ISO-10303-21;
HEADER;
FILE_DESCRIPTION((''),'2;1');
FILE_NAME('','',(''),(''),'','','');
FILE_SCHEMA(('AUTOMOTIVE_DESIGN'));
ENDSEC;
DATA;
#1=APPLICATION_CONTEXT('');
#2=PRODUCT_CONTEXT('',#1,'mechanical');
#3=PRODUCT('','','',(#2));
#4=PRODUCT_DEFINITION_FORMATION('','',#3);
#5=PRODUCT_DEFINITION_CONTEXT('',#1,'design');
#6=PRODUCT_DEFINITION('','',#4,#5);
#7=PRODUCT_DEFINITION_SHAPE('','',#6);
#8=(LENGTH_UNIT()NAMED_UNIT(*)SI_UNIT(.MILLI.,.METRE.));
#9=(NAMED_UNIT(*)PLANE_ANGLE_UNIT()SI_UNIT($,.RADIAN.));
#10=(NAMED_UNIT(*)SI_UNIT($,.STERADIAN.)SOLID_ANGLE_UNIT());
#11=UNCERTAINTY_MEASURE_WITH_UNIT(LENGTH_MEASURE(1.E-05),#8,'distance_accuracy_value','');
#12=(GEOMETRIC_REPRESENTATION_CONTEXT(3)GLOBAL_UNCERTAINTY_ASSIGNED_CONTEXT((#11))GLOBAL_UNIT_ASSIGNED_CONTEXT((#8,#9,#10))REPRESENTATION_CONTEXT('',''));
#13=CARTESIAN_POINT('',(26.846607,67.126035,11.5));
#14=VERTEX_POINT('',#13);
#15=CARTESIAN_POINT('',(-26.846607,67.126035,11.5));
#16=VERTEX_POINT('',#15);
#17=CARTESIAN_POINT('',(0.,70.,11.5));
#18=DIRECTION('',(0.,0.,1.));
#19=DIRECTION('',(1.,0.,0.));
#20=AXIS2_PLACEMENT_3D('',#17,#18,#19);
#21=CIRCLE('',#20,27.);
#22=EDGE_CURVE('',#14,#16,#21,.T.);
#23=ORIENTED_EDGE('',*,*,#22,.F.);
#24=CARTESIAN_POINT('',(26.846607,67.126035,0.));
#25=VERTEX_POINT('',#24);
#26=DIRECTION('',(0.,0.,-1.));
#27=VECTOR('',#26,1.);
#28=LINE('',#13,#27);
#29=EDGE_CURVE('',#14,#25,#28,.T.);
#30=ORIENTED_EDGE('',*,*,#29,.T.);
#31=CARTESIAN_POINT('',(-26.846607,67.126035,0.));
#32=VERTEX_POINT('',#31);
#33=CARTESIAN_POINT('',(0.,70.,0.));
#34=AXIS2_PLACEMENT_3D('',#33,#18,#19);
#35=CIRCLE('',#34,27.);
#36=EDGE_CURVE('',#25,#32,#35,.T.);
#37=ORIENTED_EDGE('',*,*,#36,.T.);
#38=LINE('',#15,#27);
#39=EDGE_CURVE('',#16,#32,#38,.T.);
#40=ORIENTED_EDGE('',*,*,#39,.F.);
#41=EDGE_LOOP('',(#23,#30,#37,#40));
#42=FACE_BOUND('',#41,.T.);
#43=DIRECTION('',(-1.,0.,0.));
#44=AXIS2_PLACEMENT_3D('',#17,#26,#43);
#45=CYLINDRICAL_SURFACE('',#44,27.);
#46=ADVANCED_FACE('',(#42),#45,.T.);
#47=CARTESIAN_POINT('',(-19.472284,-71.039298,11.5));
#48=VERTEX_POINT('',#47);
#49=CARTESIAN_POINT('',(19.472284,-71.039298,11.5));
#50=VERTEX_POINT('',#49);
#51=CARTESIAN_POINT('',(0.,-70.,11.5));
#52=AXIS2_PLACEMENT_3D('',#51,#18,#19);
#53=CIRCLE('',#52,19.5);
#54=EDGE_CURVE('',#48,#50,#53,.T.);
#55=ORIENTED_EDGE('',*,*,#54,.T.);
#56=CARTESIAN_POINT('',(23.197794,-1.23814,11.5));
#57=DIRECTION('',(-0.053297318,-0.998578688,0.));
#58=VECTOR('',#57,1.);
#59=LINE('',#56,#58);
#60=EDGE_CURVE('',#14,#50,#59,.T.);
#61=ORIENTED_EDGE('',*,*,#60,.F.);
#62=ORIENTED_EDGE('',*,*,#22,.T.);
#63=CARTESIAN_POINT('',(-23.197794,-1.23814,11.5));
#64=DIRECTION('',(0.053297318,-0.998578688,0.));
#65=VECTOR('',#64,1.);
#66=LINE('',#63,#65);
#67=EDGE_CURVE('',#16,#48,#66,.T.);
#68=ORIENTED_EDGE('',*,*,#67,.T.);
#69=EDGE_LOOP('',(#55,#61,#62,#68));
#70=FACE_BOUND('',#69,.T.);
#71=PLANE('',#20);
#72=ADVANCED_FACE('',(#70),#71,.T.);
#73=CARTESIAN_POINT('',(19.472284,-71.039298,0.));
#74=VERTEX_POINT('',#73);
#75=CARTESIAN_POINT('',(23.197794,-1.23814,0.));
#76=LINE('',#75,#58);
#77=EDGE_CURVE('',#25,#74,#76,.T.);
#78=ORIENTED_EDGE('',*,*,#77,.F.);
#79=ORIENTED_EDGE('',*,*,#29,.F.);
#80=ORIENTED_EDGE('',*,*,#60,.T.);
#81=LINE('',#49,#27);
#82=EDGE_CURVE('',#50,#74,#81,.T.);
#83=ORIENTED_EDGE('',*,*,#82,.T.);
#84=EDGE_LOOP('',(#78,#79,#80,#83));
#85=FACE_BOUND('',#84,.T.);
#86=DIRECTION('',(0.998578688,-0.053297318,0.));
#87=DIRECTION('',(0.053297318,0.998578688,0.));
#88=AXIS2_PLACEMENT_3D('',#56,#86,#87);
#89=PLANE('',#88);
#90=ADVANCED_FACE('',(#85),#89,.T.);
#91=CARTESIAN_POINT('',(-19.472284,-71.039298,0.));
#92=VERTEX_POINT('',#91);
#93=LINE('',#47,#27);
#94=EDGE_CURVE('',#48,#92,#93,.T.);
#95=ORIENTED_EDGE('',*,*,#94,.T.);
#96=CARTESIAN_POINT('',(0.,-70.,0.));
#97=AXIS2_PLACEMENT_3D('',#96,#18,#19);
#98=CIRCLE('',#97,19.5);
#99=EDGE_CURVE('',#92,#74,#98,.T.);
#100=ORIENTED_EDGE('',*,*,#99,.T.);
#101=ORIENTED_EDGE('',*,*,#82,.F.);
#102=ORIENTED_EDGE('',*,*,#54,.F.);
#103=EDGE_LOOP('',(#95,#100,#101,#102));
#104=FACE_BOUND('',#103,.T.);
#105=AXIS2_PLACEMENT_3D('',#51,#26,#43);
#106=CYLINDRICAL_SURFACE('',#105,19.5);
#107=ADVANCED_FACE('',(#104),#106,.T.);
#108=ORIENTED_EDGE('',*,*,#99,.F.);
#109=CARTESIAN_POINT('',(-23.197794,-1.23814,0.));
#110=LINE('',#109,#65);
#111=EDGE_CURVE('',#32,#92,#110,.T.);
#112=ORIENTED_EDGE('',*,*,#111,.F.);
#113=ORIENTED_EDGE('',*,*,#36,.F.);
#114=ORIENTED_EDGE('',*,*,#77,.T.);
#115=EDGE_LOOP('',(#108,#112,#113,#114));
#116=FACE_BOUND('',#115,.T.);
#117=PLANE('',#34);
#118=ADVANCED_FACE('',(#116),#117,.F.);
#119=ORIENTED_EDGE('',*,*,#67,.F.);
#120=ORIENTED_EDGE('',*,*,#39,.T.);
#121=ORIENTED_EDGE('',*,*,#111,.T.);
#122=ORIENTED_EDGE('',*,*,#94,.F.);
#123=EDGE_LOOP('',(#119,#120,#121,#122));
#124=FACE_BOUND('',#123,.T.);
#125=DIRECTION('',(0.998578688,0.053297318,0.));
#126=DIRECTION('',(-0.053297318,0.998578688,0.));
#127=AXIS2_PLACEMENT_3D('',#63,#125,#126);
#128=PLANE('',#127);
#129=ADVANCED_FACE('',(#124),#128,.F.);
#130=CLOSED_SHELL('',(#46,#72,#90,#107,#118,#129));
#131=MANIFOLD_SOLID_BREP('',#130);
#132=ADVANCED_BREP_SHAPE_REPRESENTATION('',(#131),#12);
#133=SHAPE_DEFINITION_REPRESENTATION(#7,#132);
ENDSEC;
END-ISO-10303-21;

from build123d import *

# Parameters (mm, degrees)
SKETCH_1_R      = 27
EXTRUDE_1_DEPTH = 11.5
EXTRUDE_2_DEPTH = 11.5


with BuildPart() as part:
    # Sketch 1 → Extrude 1 (new body)
    with BuildSketch(Plane.XY):
        with Locations((0, 70)):
            Circle(SKETCH_1_R)
    extrude(amount=EXTRUDE_1_DEPTH)

    # Sketch 1_5 → Extrude 2 (add)
    with BuildSketch(Plane.XY):
        with BuildLine():
            Line((19.472284413, -71.039297708), (26.846607376, 67.126035423))
            ThreePointArc((26.846607376, 67.126035423), (0, 43), (-26.846607376, 67.126035423))
            Line((-26.846607376, 67.126035423), (-19.472284413, -71.039297708))
            ThreePointArc((-19.472284413, -71.039297708), (0, -89.5), (19.472284413, -71.039297708))
        make_face()
    extrude(amount=EXTRUDE_2_DEPTH)


solid = part.part
